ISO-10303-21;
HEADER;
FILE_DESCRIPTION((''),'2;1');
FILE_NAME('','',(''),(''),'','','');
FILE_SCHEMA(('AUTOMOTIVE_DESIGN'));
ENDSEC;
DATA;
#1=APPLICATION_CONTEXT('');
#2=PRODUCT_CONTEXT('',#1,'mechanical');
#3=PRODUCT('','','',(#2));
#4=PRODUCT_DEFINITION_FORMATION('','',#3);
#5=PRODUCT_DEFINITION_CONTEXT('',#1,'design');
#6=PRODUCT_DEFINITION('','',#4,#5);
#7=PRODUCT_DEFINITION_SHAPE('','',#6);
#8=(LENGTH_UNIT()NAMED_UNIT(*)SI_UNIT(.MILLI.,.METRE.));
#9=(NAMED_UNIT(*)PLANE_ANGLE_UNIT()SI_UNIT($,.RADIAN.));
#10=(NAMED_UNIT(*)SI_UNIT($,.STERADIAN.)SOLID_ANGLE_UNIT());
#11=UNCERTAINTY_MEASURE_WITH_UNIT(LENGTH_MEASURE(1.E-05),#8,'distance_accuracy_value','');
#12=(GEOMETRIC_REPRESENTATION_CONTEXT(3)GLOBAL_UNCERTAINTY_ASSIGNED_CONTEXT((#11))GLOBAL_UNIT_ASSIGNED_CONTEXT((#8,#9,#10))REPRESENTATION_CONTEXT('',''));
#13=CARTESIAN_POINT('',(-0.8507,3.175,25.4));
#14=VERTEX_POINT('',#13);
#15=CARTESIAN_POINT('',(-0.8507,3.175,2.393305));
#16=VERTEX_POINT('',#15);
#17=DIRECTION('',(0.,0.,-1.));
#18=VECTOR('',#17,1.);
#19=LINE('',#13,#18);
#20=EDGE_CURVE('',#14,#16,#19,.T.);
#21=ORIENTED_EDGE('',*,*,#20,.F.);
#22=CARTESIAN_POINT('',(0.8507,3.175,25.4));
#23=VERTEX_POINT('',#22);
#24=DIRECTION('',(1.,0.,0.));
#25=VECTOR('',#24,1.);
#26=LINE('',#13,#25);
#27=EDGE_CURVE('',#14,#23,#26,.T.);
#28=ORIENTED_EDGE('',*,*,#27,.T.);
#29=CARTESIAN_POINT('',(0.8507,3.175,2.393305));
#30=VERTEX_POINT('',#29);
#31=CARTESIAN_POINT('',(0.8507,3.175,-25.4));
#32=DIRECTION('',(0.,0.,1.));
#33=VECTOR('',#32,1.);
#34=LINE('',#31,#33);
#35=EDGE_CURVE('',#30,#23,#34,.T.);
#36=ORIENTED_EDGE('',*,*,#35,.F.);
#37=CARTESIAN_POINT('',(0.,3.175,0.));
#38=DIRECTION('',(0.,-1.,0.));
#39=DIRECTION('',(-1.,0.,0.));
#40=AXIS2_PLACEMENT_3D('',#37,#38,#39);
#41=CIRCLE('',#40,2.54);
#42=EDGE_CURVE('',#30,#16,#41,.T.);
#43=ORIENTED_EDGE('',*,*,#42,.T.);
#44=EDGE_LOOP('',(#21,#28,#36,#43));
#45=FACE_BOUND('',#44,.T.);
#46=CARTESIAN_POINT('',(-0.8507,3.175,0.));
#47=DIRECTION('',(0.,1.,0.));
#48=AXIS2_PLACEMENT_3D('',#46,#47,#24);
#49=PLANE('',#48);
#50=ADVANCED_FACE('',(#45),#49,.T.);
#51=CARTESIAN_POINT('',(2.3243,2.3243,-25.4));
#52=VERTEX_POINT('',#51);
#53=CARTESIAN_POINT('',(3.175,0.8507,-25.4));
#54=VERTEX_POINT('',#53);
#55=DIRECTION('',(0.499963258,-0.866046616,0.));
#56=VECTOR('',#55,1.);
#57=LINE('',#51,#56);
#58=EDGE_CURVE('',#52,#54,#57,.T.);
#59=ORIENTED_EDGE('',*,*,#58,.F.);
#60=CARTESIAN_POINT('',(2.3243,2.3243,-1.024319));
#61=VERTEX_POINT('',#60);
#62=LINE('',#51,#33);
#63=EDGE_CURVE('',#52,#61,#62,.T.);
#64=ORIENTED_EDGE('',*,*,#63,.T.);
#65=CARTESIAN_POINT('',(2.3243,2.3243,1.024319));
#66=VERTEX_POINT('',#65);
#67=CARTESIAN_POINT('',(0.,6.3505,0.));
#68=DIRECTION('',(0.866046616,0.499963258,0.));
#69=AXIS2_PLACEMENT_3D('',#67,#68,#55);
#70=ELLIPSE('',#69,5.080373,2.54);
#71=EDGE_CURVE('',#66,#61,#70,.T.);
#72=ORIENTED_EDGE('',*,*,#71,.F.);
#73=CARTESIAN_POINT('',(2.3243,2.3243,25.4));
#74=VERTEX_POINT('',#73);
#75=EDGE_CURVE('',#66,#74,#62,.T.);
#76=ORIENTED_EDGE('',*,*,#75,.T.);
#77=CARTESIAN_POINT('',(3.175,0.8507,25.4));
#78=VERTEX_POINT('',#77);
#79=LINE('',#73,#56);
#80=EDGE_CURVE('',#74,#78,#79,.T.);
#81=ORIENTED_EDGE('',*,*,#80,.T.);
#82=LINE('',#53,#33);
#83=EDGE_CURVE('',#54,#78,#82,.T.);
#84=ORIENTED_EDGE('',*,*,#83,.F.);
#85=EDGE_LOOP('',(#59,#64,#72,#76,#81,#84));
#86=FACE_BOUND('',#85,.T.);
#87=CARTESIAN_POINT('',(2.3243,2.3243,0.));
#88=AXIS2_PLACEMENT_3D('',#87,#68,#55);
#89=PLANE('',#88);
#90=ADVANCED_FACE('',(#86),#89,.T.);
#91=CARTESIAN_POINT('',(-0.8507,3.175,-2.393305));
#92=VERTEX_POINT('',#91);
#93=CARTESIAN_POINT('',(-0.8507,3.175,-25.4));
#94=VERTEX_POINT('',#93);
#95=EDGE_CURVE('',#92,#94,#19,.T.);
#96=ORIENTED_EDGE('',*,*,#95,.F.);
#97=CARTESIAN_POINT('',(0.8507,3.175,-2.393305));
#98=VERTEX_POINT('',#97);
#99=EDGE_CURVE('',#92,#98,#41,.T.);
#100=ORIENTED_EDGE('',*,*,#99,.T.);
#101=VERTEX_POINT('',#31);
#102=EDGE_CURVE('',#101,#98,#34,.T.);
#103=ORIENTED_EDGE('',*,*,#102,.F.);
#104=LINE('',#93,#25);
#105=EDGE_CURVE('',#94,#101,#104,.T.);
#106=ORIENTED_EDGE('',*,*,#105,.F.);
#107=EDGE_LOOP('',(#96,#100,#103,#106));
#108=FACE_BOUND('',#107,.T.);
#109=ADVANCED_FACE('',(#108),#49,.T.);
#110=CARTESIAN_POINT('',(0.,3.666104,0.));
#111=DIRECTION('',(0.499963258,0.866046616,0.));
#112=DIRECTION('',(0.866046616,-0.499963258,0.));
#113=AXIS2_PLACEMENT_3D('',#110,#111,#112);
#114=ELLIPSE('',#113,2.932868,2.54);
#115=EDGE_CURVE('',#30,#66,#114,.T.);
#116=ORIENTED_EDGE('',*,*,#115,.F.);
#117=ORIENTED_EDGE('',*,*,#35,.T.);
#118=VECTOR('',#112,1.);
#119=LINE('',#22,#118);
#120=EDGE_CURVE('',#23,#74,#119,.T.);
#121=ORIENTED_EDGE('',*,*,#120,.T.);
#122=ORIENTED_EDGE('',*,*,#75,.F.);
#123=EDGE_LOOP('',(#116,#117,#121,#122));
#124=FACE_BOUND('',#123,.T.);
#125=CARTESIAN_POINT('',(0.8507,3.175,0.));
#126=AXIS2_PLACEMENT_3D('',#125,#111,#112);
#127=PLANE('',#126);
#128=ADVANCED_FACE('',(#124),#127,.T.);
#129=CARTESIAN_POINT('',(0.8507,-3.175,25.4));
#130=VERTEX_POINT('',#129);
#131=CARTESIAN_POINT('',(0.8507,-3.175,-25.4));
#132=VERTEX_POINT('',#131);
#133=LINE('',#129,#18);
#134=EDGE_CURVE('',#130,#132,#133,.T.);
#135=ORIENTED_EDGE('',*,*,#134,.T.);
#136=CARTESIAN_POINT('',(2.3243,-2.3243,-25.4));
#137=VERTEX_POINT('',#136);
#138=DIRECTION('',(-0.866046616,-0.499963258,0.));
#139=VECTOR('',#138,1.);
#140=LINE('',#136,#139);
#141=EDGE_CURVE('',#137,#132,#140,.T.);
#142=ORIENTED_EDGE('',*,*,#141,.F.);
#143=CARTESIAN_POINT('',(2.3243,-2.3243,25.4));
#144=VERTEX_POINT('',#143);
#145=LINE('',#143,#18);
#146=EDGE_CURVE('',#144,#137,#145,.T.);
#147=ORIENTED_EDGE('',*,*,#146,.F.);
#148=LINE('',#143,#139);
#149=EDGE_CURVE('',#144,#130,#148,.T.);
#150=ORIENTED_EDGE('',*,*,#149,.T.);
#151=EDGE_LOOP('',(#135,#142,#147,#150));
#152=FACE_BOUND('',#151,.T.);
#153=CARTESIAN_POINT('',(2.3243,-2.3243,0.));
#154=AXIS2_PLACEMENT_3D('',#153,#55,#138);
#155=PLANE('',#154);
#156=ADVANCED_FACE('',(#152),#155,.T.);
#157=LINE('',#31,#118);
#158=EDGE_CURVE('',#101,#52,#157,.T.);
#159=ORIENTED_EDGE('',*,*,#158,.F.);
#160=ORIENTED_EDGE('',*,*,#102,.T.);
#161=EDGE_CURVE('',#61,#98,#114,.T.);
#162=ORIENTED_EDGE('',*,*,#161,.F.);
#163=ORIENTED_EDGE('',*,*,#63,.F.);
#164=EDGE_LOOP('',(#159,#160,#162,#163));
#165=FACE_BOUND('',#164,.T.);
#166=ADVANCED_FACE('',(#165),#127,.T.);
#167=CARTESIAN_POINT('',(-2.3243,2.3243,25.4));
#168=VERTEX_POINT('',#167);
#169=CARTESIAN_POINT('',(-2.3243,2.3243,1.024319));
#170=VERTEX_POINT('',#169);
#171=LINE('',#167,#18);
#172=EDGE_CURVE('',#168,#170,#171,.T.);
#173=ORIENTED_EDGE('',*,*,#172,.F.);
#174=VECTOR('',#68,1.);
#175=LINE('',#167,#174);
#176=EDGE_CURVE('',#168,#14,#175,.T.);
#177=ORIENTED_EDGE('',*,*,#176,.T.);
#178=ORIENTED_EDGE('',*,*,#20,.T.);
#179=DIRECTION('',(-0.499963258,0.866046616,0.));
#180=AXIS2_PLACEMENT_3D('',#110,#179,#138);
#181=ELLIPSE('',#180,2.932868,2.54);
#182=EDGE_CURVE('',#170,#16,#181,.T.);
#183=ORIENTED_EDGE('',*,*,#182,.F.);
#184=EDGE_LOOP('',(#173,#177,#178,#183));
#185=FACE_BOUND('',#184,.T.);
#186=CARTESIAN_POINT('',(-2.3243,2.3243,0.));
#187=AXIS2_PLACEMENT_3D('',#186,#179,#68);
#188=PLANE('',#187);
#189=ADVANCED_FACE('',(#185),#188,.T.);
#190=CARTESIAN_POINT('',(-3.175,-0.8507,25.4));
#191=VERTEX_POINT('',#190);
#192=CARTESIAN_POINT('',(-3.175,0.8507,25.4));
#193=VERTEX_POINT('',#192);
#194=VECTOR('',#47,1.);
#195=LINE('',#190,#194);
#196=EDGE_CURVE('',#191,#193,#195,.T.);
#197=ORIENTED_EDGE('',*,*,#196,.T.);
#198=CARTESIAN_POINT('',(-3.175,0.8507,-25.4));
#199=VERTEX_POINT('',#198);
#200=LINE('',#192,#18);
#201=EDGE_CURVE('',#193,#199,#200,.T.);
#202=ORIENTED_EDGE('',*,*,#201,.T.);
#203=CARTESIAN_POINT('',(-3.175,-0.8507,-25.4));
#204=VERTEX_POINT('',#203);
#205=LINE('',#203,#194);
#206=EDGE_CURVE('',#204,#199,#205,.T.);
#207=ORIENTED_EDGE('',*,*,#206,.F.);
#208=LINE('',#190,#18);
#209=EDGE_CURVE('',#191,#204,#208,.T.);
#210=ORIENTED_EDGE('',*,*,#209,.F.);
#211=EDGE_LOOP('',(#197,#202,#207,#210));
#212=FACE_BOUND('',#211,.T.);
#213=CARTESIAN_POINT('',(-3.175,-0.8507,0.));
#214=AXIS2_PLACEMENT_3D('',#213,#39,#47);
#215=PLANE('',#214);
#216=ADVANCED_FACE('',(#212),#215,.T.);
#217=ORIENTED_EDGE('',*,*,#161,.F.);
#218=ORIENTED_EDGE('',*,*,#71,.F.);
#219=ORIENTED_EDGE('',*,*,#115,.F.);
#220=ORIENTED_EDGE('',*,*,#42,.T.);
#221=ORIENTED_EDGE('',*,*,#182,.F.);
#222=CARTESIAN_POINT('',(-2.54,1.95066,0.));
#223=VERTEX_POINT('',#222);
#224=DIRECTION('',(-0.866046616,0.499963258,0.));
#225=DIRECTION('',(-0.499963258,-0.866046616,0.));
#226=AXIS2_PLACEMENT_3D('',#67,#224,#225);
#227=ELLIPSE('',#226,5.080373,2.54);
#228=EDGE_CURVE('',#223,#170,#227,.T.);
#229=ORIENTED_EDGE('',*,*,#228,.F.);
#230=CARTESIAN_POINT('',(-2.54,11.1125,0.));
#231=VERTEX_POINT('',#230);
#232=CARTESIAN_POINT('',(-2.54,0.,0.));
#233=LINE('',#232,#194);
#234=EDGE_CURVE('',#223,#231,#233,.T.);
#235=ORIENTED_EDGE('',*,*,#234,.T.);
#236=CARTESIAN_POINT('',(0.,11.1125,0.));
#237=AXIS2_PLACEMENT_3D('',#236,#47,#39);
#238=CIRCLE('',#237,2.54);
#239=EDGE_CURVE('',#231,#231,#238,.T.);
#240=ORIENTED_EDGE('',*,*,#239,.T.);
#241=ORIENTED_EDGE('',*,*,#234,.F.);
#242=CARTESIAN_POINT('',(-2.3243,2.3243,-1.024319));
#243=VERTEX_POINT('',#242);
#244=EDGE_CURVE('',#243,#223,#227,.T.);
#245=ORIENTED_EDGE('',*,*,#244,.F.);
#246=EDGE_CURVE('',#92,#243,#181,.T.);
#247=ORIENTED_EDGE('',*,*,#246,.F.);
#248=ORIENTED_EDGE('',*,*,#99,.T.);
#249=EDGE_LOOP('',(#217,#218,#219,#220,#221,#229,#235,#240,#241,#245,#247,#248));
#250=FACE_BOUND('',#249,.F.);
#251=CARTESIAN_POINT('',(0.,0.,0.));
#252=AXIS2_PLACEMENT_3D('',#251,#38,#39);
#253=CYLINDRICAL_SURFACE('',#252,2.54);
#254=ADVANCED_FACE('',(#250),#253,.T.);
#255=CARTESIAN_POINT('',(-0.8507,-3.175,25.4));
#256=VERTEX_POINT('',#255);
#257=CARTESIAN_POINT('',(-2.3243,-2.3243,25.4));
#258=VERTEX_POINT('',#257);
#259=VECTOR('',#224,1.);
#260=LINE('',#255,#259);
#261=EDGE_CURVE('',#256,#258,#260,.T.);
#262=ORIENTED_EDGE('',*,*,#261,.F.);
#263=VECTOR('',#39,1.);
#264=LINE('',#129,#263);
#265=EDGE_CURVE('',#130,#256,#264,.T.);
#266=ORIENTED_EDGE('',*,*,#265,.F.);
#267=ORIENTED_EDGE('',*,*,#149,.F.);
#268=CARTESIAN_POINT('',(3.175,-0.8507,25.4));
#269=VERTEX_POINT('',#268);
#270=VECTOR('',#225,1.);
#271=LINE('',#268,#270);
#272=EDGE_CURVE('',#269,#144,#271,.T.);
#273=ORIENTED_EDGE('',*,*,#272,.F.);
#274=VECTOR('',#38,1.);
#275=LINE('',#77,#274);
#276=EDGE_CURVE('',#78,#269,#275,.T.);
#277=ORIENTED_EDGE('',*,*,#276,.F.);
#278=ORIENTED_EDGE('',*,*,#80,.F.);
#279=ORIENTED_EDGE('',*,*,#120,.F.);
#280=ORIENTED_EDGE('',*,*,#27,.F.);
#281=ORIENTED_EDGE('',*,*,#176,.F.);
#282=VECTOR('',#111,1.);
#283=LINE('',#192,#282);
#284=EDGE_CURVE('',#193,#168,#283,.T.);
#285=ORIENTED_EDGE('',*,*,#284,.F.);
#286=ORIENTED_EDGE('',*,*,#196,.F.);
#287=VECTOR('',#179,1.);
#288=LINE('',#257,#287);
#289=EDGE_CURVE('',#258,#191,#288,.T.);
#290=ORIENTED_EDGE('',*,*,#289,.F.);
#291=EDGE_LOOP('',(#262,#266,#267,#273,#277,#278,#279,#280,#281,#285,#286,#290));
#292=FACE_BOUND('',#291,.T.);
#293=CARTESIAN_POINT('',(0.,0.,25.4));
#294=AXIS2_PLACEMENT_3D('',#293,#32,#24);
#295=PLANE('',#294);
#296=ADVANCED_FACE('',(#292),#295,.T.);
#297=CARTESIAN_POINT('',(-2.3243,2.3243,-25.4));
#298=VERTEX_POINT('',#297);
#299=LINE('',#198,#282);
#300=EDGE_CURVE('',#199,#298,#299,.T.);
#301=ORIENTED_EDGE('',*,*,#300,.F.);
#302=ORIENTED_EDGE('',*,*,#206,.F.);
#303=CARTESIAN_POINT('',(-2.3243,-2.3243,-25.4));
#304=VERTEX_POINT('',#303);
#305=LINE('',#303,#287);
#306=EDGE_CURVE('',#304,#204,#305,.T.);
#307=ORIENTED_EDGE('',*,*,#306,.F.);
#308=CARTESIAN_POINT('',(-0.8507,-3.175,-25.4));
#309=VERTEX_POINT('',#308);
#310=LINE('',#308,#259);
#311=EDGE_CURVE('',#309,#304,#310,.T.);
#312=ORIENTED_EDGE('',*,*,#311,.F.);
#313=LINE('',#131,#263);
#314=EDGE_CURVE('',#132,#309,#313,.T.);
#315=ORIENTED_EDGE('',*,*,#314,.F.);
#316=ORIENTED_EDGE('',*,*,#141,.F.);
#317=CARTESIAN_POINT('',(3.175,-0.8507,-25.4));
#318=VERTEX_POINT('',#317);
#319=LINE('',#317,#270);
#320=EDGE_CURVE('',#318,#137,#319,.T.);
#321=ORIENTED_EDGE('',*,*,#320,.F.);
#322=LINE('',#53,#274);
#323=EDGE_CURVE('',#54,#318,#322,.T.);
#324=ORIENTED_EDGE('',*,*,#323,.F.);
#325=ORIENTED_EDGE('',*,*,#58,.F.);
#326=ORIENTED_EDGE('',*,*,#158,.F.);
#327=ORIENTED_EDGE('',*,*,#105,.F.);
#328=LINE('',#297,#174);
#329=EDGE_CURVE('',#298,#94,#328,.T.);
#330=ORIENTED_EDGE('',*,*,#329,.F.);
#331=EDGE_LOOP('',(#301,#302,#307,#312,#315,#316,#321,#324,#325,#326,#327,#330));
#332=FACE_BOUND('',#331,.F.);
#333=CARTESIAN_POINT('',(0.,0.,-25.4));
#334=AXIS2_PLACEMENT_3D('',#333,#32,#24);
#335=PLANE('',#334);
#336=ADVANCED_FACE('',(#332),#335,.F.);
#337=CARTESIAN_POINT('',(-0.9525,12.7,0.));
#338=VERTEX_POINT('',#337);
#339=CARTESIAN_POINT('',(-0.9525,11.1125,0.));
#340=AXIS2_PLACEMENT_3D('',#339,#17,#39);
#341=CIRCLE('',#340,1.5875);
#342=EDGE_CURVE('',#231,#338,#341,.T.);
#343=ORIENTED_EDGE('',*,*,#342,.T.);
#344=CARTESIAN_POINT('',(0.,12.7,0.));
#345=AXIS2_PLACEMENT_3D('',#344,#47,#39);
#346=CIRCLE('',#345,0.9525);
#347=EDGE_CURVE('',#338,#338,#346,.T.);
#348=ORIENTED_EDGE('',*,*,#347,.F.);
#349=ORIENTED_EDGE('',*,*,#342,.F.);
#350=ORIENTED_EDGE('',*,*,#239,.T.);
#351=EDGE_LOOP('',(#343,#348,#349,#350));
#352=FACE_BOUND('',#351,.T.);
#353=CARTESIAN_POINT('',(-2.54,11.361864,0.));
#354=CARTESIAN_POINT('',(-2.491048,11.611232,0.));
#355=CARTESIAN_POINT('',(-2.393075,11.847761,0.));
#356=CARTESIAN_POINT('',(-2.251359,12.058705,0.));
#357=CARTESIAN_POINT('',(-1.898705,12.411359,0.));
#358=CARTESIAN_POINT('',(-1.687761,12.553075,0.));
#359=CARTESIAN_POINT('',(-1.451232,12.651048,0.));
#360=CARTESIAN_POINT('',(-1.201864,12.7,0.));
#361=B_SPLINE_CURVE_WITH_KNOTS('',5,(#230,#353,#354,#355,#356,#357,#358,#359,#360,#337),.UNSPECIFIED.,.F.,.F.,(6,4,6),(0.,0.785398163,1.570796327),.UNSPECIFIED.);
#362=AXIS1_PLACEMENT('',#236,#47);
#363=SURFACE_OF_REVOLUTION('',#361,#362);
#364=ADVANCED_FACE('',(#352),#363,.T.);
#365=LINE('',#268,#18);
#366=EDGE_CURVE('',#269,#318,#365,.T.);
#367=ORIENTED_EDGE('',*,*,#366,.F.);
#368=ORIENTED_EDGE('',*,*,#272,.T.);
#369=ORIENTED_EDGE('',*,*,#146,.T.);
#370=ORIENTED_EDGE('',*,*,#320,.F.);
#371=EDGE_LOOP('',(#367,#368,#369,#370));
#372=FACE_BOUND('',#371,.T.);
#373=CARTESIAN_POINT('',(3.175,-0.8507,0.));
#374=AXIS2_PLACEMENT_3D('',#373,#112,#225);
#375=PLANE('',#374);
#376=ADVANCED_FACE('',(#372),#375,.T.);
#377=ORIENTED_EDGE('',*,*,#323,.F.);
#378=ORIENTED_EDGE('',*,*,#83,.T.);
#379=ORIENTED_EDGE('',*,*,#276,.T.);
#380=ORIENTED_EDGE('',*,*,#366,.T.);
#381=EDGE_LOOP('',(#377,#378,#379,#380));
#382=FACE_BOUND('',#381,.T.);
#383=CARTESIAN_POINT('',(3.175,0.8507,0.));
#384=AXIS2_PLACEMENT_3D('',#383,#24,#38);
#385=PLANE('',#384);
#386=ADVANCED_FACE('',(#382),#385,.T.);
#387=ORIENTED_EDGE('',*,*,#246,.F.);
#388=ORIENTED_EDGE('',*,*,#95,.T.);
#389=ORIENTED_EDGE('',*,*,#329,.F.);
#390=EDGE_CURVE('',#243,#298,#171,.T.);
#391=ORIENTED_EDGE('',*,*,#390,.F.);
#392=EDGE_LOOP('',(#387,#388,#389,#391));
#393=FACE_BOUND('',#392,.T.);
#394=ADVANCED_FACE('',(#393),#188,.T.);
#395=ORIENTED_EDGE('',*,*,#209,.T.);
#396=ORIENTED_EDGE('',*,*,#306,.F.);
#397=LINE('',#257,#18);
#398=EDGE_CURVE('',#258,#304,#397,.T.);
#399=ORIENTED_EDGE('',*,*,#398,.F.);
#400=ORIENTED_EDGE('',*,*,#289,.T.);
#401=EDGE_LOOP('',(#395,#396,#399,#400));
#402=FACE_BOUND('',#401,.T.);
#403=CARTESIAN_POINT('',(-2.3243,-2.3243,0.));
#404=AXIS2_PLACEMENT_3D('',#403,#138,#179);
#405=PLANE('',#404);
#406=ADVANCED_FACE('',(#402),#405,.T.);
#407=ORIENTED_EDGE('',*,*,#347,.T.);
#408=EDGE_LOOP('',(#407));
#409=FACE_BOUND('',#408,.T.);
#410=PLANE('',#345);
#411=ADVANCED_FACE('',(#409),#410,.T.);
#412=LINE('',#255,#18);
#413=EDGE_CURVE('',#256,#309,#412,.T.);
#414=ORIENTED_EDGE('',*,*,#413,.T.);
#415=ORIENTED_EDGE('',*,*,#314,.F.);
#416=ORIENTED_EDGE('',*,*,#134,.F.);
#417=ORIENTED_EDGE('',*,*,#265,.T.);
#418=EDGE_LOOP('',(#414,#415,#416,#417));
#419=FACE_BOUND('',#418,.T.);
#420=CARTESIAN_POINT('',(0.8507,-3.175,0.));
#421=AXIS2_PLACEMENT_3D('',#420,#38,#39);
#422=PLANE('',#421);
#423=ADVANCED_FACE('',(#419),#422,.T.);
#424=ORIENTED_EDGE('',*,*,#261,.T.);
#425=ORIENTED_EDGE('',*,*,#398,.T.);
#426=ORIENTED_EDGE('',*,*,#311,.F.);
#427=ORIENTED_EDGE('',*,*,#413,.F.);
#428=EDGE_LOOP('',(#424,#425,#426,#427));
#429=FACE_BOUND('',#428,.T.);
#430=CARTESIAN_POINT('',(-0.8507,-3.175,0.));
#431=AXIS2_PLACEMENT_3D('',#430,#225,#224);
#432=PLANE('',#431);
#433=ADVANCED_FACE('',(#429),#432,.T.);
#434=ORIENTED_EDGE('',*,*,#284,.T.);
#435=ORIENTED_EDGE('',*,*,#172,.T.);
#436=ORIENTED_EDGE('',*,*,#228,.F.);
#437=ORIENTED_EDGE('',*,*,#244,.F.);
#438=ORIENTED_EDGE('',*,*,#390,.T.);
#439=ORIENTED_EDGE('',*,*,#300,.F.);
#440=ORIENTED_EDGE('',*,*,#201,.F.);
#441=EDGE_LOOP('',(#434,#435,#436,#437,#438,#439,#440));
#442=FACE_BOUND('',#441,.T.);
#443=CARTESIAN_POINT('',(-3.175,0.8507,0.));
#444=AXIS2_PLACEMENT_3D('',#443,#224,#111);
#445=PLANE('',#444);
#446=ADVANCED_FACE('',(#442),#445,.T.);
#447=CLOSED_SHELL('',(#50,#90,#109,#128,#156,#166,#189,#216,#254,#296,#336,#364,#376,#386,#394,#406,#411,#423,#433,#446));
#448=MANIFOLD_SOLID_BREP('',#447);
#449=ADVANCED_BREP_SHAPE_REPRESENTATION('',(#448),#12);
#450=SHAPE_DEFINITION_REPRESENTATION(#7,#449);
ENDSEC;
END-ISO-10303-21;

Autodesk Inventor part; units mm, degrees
ref_plane "YZ Plane" through (0, 0, 0) normal (1, 0, 0) x (0, 1, 0)
ref_plane "XZ Plane" through (0, 0, 0) normal (0, 1, 0) x (-1, 0, 0)
ref_plane "XY Plane" through (0, 0, 0) normal (0, 0, 1) x (1, 0, 0)
sketch "Sketch1" plane through (0, 0, 0) normal (0, 0, 1) x (1, 0, 0)
  line L0 (3.175, 0.8507) -> (3.175, -0.8507)
  line L1 (3.175, -0.8507) -> (2.3243, -2.3243)
  line L2 (2.3243, -2.3243) -> (0.8507, -3.175)
  line L3 (0.8507, -3.175) -> (-0.8507, -3.175)
  line L4 (-0.8507, -3.175) -> (-2.3243, -2.3243)
  line L5 (-2.3243, -2.3243) -> (-3.175, -0.8507)
  line L6 (-3.175, -0.8507) -> (-3.175, 0.8507)
  line L7 (-3.175, 0.8507) -> (-2.3243, 2.3243)
  line L8 (-2.3243, 2.3243) -> (-0.8507, 3.175)
  line L9 (-0.8507, 3.175) -> (0.8507, 3.175)
  line L10 (0.8507, 3.175) -> (2.3243, 2.3243)
  line L11 (2.3243, 2.3243) -> (3.175, 0.8507)
  line L12 (0, 0) -> (0, 3.175) construction
  dimension "d9" = 6.35
extrude "Extrusion1" add sketch "Sketch1" along normal blind 25.4 and the other way blind 25.4
sketch "Sketch2" plane through (0, 0, 0) normal (0, 1, 0) x (-1, 0, 0)
  circle A0 centre (0, 0) radius 2.54
  dimension "diamCamSlot" = 5.08
extrude "Extrusion2" add sketch "Sketch2" along normal blind 12.7
fillet "Fillet1" radius 1.5875 1 edges at (2.54, 12.7, 0)
equation "\"d9\" = camDiam"
equation "\"camDiam\" = 6.35"
properties part number "vexCamPost11"
